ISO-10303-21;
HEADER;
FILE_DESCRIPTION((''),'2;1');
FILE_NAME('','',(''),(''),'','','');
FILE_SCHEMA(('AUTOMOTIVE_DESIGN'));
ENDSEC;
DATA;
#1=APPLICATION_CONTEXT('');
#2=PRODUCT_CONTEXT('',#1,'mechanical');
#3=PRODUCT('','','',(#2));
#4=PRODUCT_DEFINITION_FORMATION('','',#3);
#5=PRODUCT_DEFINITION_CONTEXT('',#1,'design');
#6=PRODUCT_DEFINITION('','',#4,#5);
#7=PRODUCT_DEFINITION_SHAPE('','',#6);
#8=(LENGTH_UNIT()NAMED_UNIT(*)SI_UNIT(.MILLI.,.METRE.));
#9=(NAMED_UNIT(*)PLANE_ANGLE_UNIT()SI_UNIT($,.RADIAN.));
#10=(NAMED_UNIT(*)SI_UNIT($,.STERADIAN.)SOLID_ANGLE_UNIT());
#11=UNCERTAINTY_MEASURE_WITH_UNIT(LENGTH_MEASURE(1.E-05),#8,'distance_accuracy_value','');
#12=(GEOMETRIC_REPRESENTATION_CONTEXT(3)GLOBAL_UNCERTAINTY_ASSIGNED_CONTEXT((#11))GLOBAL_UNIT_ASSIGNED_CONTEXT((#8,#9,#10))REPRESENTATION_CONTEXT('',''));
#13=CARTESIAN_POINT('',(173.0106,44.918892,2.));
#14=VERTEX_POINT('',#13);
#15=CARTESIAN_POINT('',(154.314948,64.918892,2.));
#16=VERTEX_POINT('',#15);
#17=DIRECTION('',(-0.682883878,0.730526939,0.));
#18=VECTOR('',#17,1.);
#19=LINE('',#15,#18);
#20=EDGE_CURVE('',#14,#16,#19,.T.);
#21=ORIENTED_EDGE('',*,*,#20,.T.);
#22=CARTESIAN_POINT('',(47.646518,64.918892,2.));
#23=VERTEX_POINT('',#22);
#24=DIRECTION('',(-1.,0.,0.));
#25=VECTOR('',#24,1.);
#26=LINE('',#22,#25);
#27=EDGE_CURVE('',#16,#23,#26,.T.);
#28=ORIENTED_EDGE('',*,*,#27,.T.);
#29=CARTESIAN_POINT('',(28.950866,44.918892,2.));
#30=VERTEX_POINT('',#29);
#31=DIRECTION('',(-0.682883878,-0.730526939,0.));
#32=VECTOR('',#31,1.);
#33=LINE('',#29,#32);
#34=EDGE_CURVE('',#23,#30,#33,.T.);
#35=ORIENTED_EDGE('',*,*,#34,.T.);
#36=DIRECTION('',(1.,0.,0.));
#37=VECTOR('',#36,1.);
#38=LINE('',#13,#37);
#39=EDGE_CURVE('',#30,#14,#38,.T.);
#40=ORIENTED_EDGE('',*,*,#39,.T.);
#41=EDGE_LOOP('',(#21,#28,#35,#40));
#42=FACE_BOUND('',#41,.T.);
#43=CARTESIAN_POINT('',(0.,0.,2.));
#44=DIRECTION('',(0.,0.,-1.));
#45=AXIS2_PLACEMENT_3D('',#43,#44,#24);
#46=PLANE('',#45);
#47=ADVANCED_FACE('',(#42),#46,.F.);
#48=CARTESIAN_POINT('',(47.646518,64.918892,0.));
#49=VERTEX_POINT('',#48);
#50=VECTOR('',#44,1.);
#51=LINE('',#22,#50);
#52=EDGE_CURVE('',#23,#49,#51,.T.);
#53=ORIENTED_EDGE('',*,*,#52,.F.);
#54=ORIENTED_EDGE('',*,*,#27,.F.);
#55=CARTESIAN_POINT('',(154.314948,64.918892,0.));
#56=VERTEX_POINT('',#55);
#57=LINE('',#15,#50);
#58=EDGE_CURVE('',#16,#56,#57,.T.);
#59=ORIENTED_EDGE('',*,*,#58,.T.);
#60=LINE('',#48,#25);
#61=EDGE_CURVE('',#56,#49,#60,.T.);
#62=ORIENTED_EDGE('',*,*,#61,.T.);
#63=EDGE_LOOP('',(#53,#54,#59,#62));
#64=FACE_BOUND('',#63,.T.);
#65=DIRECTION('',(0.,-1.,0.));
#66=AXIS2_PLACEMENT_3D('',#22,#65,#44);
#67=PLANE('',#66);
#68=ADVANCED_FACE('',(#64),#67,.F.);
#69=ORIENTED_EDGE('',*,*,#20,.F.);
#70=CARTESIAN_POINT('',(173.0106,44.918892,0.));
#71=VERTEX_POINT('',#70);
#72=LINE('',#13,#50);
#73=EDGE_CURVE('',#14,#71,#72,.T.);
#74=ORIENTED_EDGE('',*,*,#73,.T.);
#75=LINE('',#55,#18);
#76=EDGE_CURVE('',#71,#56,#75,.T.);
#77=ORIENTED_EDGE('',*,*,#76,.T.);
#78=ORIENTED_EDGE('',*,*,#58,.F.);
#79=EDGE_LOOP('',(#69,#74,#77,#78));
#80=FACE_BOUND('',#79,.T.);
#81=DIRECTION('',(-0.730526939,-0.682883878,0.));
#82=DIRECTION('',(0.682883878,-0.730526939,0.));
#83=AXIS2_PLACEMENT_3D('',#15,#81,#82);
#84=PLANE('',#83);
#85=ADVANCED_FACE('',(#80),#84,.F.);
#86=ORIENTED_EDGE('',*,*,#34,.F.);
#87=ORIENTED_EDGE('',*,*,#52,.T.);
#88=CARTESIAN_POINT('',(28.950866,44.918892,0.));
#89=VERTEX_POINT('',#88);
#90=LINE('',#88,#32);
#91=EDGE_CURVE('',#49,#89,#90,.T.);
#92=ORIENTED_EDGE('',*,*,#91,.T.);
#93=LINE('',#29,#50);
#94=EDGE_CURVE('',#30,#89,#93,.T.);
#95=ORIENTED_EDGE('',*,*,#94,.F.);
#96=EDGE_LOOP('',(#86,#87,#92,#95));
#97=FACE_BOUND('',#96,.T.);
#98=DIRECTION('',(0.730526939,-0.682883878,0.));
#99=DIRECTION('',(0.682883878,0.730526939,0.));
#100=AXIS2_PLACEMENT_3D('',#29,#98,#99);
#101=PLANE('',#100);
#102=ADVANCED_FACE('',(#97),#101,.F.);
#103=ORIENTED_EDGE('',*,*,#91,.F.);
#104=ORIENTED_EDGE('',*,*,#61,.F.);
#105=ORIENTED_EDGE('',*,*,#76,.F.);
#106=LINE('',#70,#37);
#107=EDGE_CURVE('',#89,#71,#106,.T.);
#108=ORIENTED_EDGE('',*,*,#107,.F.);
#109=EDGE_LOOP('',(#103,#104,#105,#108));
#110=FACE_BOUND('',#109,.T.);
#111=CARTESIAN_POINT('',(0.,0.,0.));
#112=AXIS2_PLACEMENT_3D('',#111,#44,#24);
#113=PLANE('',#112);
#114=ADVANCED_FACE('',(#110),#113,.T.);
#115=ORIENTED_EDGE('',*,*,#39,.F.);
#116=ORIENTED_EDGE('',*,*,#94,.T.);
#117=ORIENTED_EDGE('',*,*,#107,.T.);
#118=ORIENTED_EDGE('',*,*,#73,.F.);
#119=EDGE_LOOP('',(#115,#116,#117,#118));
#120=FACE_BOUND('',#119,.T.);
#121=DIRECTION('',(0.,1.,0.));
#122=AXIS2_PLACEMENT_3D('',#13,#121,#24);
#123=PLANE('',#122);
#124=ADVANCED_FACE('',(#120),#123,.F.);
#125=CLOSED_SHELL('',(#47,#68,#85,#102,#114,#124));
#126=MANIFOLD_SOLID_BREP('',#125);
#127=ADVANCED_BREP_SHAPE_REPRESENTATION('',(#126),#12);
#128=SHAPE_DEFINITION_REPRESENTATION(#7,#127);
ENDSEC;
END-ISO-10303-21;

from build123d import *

# Parameters (mm, degrees)
BOSS_EXTRUDE1_DEPTH = 2


with BuildPart() as part:
    # Sketch1 → Boss-Extrude1 (new body)
    with BuildSketch(Plane.XY):
        Polygon((47.646518135, 64.918892489), (154.314948326, 64.918892489), (173.0106005, 44.918892489), (28.950865961, 44.918892489), align=None)
    extrude(amount=BOSS_EXTRUDE1_DEPTH)


solid = part.part
